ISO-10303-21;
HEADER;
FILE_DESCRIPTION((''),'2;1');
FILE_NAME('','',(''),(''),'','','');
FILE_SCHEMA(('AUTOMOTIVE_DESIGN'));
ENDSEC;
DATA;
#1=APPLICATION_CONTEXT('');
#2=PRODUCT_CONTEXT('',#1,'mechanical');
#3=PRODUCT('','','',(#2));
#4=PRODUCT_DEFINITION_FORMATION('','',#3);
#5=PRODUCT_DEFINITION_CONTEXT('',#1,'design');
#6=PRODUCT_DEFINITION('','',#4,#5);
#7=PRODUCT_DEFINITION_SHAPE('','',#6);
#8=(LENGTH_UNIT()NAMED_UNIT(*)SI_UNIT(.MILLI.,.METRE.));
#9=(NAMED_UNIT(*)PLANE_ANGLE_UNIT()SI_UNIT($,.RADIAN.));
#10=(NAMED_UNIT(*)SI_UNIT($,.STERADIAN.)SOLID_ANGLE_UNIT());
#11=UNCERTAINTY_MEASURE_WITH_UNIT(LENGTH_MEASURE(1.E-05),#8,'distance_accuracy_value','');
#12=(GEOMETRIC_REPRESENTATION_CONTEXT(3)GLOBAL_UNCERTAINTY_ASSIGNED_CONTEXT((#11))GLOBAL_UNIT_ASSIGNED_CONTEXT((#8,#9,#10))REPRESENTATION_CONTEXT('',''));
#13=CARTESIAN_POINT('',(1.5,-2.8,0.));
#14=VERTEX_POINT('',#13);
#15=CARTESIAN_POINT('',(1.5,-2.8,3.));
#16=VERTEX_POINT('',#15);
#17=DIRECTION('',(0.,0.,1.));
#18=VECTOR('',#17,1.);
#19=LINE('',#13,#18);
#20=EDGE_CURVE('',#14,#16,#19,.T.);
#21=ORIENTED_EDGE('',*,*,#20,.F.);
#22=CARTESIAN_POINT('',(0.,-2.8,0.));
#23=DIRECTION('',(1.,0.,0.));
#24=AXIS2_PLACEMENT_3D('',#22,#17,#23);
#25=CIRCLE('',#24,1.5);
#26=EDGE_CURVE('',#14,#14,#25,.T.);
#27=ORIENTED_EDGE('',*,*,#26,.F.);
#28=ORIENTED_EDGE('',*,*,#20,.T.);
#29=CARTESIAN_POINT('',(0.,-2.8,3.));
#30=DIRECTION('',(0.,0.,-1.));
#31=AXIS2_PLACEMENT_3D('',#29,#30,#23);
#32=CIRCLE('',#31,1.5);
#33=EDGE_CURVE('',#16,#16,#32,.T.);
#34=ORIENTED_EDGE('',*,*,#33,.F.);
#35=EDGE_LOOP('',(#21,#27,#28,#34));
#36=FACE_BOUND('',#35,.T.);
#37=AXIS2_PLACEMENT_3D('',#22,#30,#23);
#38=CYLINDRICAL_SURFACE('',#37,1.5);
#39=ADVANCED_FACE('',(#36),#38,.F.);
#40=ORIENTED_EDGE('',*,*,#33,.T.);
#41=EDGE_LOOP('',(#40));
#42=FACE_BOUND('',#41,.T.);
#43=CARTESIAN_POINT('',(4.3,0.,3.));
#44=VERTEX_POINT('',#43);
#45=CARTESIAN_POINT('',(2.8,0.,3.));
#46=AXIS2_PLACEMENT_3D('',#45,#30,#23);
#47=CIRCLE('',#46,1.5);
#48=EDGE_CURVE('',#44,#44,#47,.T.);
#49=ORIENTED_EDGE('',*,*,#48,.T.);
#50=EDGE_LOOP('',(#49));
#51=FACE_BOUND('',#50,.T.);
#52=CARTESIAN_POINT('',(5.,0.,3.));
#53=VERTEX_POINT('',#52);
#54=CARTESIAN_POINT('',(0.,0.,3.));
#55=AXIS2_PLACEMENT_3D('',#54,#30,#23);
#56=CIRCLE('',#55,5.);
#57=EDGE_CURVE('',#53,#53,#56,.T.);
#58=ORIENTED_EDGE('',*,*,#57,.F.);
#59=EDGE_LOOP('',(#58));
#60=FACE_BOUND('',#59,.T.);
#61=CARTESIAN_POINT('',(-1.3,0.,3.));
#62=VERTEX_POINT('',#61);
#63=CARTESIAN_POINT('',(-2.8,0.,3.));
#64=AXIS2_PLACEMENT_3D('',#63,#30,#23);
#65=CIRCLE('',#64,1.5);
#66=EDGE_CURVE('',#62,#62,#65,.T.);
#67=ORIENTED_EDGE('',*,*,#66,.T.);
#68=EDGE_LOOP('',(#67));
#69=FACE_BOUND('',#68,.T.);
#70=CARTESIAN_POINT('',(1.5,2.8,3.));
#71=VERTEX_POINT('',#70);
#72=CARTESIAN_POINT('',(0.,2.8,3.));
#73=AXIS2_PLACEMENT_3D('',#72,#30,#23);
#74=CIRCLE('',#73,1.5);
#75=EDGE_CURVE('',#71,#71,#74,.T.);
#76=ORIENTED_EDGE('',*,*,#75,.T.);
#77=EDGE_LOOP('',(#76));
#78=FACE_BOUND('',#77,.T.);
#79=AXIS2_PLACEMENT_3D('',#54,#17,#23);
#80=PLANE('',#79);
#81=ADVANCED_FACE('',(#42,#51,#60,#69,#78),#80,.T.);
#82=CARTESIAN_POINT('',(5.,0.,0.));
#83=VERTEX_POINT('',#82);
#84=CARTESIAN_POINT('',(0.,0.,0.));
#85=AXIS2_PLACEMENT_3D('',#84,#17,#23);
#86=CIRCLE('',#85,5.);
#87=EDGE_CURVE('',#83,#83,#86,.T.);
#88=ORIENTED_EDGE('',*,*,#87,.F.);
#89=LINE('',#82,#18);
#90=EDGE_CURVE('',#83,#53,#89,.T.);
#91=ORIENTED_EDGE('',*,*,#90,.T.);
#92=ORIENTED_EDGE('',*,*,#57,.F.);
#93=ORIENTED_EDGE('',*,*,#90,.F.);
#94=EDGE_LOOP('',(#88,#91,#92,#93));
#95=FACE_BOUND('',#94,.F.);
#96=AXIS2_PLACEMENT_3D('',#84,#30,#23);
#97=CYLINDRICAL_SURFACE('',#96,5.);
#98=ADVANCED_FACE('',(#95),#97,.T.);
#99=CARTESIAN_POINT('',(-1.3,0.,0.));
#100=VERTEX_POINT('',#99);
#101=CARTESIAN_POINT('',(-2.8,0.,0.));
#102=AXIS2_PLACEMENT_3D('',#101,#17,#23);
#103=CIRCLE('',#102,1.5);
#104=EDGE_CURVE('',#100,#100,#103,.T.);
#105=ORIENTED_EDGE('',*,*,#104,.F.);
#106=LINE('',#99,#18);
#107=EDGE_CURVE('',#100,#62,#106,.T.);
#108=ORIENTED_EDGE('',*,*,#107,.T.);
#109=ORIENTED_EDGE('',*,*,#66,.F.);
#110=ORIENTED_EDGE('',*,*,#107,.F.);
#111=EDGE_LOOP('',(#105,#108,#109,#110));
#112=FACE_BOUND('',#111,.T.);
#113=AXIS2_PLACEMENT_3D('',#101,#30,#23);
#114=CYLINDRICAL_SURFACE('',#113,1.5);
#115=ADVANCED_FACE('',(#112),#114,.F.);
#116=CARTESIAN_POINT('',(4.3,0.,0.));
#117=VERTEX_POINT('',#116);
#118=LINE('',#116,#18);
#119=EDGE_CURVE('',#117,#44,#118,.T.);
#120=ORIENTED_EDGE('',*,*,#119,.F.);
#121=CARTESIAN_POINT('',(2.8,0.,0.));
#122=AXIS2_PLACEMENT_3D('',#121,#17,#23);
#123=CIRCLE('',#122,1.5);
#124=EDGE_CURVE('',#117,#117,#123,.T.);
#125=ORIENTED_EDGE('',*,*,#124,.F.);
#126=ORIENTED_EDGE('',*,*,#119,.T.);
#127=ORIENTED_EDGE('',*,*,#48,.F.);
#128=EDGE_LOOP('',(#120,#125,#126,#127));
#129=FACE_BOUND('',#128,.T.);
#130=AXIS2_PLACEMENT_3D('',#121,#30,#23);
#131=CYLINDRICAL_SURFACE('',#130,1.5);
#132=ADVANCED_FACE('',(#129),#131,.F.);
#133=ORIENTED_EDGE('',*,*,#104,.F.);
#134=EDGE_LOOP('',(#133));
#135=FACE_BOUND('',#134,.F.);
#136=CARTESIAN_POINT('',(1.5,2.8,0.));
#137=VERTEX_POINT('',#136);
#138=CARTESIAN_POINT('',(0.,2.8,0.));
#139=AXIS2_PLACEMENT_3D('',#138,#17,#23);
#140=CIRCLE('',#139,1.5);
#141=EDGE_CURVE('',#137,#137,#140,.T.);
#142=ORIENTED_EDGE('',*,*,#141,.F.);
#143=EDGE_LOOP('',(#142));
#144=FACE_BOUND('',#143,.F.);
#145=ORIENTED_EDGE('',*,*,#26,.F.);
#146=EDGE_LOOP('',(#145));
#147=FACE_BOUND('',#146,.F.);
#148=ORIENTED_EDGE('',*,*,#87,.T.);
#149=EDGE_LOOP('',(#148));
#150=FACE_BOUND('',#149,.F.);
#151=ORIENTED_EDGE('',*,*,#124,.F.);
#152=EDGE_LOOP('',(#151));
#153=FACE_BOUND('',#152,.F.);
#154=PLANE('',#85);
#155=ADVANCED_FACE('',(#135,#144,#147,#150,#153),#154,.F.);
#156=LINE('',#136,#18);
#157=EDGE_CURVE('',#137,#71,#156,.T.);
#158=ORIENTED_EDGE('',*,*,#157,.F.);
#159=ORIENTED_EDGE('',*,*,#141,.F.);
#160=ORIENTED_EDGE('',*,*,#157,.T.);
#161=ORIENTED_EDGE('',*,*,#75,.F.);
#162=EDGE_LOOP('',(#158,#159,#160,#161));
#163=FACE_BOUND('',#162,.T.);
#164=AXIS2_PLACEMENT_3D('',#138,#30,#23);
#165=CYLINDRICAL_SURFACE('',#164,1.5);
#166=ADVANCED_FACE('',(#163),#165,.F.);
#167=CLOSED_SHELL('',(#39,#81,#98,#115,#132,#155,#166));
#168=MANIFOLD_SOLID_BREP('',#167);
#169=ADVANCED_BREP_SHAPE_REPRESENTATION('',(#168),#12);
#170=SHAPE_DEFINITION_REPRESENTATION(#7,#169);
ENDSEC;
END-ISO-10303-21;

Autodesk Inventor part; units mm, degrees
ref_plane "YZ Plane" through (0, 0, 0) normal (1, 0, 0) x (0, 1, 0)
ref_plane "XZ Plane" through (0, 0, 0) normal (0, 1, 0) x (-1, 0, 0)
ref_plane "XY Plane" through (0, 0, 0) normal (0, 0, 1) x (1, 0, 0)
sketch "スケッチ1" plane through (0, 0, 0) normal (0, 0, 1) x (1, 0, 0)
  circle A0 centre (2.8, 0) radius 2.8
  line L0 (2.8, 0) -> (0, 0)
  circle A1 centre (0, 2.8) radius 2.8
  circle A2 centre (-2.8, 0) radius 2.8
  circle A3 centre (0, -2.8) radius 2.8
  circle A4 centre (2.8, 0) radius 1.5
  circle A5 centre (0, 2.8) radius 1.5
  circle A6 centre (-2.8, 0) radius 1.5
  circle A7 centre (0, -2.8) radius 1.5
  circle A8 centre (0, 0) radius 5
  circle A9 centre (0, 5) radius 1.5
  circle A10 centre (-5, 0) radius 1.5
  circle A11 centre (0, -5) radius 1.5
  circle A12 centre (5, 0) radius 1.5
  point P0 (-1.483, -4.775)
  point P1 (1.483, -4.775)
  point P2 (-4.775, -1.483)
  point P3 (-4.775, 1.483)
  point P4 (4.775, 1.483)
  point P5 (4.775, -1.483)
  point P6 (-1.483, 4.775)
  point P7 (1.483, 4.775)
  dimension "d12" = 10
  dimension "d1" = 5.6
  dimension "d4" = 360
  dimension "d7" = 3
  dimension "d10" = 360
  dimension "d15" = 3
  dimension "d18" = 360
extrude "押し出し1" add sketch "スケッチ1" along normal blind 3 contours A8 A12 A4 A1 A0 | A0 A1 A8 | A8 A12 A4 | A8 A3 A0 | A0 A3 A4 A12 A8 | A1 A4 A0 A5 | A0 A5 A9 A8 A1 | A3 A8 A11 A7 A0 | A0 A7 A3 A4 | A9 A5 A8 | A8 A11 A7 | A0 A2 A5 | A4 L0 A1 | A9 A5 A2 A1 A8 | A7 A2 A0 | A3 L0 A4 | A8 A3 A2 A7 A11 | A3 A6 A1 | A1 A6 A2 A5 | A2 A7 A3 A6 | A1 A2 A8 | A8 A2 A3 | A1 A6 A10 A8 A2 | A2 A8 A10 A6 A3 | A10 A6 A8
properties part number "カムL3" material "アセタール樹脂、白"
